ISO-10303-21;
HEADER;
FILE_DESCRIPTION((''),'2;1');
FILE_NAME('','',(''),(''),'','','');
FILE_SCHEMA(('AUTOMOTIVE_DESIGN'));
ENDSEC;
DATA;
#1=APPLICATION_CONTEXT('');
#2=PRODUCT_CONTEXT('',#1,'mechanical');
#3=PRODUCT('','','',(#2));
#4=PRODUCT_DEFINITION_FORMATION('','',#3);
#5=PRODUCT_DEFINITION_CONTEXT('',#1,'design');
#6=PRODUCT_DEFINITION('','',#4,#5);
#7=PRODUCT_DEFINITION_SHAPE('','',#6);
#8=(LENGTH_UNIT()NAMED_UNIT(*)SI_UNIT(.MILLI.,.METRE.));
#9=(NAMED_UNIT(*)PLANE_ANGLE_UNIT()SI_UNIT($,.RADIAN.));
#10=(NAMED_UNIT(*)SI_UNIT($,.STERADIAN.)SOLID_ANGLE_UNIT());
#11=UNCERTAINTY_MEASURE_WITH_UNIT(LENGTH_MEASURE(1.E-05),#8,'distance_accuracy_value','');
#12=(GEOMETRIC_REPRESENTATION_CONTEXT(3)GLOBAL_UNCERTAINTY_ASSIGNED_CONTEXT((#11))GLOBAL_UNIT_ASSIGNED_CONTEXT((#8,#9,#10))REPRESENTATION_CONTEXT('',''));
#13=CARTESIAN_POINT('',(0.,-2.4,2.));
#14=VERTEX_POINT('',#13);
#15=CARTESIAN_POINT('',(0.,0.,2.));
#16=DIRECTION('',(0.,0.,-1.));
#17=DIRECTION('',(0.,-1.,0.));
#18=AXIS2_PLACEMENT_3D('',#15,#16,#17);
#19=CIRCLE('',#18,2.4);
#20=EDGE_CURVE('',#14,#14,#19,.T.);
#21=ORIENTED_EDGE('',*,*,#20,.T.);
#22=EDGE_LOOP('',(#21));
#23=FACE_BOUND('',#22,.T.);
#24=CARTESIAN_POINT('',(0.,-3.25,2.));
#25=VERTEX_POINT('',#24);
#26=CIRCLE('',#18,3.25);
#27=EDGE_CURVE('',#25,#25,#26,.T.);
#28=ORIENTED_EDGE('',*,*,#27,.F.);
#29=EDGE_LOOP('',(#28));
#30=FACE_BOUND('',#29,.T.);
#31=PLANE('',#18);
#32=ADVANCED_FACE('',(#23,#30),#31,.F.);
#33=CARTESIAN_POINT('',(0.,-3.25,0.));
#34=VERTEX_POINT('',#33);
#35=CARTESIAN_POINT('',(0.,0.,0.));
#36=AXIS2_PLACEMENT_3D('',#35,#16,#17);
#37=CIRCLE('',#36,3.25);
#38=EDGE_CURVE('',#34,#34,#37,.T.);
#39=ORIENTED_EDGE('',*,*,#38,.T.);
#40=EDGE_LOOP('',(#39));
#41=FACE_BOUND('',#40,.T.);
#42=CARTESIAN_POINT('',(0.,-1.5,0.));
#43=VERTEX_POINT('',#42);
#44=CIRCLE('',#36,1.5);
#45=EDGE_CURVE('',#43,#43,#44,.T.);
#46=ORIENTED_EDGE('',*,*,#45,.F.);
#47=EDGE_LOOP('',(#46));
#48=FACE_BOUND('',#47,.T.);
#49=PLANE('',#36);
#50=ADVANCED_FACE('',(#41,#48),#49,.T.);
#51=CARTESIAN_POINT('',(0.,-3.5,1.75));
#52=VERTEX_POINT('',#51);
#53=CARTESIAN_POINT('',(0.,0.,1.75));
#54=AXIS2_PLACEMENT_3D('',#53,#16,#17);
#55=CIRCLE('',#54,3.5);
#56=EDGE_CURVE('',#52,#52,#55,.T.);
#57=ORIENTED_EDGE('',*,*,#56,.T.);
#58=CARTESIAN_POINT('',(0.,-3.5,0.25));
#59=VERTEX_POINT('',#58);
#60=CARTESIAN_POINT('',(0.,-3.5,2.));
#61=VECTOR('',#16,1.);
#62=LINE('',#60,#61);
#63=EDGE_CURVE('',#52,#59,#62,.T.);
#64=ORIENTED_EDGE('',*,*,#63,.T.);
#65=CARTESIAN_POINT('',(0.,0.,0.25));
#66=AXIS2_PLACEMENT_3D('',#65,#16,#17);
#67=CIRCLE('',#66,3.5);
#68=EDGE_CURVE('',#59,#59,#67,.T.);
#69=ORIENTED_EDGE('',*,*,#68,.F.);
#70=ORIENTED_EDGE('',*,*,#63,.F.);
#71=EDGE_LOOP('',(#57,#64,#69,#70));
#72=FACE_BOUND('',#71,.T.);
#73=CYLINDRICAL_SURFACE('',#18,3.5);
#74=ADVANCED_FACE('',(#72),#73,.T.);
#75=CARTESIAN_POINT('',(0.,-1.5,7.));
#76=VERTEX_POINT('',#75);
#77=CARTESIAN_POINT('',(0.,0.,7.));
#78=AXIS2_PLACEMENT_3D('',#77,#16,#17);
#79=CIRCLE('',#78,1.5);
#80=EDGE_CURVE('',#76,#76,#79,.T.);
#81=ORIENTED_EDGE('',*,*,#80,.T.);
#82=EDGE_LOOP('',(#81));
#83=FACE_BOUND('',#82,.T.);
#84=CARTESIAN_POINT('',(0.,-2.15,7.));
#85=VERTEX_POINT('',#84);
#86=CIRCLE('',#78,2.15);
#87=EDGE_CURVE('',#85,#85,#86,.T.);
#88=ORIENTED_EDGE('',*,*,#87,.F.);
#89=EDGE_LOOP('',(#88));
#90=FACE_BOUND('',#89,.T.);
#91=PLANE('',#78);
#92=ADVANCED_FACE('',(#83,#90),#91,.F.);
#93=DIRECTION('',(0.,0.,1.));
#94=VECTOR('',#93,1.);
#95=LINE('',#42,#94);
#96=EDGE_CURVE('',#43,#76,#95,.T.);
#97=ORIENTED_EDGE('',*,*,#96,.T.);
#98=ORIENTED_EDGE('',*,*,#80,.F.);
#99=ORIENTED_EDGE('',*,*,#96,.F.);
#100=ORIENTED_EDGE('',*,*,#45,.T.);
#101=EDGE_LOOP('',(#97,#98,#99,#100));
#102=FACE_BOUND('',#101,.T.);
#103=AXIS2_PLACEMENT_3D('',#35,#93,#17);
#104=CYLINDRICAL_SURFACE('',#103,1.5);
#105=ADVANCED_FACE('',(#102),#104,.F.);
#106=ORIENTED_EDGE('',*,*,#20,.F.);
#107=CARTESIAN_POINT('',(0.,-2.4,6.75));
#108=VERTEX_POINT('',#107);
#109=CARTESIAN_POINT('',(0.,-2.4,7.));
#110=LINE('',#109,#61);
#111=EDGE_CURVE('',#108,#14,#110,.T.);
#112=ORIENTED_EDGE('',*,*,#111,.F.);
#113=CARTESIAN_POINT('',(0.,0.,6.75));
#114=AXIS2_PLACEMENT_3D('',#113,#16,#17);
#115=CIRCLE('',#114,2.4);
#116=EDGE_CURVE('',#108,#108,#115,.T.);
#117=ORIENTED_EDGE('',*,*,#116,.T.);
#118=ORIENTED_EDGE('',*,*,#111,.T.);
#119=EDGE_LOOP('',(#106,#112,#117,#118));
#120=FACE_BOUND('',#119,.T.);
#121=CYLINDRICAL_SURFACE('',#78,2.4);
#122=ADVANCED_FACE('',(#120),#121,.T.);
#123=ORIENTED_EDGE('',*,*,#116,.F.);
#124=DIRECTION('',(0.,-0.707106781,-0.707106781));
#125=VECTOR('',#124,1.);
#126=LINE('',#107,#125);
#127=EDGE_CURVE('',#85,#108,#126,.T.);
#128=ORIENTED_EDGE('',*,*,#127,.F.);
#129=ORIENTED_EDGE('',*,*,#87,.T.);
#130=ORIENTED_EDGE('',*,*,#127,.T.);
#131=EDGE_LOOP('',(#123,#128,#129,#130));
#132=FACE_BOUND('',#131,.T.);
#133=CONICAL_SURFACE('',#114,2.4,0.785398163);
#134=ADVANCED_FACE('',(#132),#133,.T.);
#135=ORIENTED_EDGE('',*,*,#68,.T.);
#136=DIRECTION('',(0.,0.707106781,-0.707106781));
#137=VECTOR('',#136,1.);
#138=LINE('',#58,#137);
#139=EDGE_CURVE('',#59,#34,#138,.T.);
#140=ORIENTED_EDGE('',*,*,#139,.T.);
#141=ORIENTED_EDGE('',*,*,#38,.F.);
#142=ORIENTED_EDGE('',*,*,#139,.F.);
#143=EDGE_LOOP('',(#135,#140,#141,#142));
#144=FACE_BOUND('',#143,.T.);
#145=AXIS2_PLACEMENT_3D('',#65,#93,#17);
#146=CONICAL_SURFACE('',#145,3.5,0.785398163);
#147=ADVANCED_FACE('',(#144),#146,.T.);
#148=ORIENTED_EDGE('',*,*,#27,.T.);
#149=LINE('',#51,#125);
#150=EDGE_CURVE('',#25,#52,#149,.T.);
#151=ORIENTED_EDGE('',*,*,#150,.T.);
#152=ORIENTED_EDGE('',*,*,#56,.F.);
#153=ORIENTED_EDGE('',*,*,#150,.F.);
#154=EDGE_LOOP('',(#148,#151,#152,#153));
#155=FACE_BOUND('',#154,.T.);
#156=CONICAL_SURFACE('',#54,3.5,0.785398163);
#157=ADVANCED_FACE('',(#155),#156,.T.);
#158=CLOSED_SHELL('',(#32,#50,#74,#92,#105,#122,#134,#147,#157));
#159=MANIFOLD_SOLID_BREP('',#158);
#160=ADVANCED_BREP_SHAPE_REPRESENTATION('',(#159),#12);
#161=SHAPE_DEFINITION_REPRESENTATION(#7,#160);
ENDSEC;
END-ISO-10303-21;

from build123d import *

# Parameters (mm, degrees)
F2_SIZE = 0.25


with BuildPart() as f1:
    # F0 (on Right) → F1 (revolve)
    with BuildSketch(Plane.YZ):
        Polygon((-1.5, 0), (-1.5, 7), (-2.4, 7), (-2.4, 2), (-3.5, 2), (-3.5, 0), align=None)
    revolve(axis=Axis((0, 0, 6.834189), (0, 0, -1)))

    # F2
    f2_edges = [f1.edges().sort_by_distance(p)[0] for p in [
        (0, 2.4, 7),
        (0, 3.5, 2),
        (0, 3.5, 0),
    ]]
    chamfer(f2_edges, length=F2_SIZE)


solid = f1.part
